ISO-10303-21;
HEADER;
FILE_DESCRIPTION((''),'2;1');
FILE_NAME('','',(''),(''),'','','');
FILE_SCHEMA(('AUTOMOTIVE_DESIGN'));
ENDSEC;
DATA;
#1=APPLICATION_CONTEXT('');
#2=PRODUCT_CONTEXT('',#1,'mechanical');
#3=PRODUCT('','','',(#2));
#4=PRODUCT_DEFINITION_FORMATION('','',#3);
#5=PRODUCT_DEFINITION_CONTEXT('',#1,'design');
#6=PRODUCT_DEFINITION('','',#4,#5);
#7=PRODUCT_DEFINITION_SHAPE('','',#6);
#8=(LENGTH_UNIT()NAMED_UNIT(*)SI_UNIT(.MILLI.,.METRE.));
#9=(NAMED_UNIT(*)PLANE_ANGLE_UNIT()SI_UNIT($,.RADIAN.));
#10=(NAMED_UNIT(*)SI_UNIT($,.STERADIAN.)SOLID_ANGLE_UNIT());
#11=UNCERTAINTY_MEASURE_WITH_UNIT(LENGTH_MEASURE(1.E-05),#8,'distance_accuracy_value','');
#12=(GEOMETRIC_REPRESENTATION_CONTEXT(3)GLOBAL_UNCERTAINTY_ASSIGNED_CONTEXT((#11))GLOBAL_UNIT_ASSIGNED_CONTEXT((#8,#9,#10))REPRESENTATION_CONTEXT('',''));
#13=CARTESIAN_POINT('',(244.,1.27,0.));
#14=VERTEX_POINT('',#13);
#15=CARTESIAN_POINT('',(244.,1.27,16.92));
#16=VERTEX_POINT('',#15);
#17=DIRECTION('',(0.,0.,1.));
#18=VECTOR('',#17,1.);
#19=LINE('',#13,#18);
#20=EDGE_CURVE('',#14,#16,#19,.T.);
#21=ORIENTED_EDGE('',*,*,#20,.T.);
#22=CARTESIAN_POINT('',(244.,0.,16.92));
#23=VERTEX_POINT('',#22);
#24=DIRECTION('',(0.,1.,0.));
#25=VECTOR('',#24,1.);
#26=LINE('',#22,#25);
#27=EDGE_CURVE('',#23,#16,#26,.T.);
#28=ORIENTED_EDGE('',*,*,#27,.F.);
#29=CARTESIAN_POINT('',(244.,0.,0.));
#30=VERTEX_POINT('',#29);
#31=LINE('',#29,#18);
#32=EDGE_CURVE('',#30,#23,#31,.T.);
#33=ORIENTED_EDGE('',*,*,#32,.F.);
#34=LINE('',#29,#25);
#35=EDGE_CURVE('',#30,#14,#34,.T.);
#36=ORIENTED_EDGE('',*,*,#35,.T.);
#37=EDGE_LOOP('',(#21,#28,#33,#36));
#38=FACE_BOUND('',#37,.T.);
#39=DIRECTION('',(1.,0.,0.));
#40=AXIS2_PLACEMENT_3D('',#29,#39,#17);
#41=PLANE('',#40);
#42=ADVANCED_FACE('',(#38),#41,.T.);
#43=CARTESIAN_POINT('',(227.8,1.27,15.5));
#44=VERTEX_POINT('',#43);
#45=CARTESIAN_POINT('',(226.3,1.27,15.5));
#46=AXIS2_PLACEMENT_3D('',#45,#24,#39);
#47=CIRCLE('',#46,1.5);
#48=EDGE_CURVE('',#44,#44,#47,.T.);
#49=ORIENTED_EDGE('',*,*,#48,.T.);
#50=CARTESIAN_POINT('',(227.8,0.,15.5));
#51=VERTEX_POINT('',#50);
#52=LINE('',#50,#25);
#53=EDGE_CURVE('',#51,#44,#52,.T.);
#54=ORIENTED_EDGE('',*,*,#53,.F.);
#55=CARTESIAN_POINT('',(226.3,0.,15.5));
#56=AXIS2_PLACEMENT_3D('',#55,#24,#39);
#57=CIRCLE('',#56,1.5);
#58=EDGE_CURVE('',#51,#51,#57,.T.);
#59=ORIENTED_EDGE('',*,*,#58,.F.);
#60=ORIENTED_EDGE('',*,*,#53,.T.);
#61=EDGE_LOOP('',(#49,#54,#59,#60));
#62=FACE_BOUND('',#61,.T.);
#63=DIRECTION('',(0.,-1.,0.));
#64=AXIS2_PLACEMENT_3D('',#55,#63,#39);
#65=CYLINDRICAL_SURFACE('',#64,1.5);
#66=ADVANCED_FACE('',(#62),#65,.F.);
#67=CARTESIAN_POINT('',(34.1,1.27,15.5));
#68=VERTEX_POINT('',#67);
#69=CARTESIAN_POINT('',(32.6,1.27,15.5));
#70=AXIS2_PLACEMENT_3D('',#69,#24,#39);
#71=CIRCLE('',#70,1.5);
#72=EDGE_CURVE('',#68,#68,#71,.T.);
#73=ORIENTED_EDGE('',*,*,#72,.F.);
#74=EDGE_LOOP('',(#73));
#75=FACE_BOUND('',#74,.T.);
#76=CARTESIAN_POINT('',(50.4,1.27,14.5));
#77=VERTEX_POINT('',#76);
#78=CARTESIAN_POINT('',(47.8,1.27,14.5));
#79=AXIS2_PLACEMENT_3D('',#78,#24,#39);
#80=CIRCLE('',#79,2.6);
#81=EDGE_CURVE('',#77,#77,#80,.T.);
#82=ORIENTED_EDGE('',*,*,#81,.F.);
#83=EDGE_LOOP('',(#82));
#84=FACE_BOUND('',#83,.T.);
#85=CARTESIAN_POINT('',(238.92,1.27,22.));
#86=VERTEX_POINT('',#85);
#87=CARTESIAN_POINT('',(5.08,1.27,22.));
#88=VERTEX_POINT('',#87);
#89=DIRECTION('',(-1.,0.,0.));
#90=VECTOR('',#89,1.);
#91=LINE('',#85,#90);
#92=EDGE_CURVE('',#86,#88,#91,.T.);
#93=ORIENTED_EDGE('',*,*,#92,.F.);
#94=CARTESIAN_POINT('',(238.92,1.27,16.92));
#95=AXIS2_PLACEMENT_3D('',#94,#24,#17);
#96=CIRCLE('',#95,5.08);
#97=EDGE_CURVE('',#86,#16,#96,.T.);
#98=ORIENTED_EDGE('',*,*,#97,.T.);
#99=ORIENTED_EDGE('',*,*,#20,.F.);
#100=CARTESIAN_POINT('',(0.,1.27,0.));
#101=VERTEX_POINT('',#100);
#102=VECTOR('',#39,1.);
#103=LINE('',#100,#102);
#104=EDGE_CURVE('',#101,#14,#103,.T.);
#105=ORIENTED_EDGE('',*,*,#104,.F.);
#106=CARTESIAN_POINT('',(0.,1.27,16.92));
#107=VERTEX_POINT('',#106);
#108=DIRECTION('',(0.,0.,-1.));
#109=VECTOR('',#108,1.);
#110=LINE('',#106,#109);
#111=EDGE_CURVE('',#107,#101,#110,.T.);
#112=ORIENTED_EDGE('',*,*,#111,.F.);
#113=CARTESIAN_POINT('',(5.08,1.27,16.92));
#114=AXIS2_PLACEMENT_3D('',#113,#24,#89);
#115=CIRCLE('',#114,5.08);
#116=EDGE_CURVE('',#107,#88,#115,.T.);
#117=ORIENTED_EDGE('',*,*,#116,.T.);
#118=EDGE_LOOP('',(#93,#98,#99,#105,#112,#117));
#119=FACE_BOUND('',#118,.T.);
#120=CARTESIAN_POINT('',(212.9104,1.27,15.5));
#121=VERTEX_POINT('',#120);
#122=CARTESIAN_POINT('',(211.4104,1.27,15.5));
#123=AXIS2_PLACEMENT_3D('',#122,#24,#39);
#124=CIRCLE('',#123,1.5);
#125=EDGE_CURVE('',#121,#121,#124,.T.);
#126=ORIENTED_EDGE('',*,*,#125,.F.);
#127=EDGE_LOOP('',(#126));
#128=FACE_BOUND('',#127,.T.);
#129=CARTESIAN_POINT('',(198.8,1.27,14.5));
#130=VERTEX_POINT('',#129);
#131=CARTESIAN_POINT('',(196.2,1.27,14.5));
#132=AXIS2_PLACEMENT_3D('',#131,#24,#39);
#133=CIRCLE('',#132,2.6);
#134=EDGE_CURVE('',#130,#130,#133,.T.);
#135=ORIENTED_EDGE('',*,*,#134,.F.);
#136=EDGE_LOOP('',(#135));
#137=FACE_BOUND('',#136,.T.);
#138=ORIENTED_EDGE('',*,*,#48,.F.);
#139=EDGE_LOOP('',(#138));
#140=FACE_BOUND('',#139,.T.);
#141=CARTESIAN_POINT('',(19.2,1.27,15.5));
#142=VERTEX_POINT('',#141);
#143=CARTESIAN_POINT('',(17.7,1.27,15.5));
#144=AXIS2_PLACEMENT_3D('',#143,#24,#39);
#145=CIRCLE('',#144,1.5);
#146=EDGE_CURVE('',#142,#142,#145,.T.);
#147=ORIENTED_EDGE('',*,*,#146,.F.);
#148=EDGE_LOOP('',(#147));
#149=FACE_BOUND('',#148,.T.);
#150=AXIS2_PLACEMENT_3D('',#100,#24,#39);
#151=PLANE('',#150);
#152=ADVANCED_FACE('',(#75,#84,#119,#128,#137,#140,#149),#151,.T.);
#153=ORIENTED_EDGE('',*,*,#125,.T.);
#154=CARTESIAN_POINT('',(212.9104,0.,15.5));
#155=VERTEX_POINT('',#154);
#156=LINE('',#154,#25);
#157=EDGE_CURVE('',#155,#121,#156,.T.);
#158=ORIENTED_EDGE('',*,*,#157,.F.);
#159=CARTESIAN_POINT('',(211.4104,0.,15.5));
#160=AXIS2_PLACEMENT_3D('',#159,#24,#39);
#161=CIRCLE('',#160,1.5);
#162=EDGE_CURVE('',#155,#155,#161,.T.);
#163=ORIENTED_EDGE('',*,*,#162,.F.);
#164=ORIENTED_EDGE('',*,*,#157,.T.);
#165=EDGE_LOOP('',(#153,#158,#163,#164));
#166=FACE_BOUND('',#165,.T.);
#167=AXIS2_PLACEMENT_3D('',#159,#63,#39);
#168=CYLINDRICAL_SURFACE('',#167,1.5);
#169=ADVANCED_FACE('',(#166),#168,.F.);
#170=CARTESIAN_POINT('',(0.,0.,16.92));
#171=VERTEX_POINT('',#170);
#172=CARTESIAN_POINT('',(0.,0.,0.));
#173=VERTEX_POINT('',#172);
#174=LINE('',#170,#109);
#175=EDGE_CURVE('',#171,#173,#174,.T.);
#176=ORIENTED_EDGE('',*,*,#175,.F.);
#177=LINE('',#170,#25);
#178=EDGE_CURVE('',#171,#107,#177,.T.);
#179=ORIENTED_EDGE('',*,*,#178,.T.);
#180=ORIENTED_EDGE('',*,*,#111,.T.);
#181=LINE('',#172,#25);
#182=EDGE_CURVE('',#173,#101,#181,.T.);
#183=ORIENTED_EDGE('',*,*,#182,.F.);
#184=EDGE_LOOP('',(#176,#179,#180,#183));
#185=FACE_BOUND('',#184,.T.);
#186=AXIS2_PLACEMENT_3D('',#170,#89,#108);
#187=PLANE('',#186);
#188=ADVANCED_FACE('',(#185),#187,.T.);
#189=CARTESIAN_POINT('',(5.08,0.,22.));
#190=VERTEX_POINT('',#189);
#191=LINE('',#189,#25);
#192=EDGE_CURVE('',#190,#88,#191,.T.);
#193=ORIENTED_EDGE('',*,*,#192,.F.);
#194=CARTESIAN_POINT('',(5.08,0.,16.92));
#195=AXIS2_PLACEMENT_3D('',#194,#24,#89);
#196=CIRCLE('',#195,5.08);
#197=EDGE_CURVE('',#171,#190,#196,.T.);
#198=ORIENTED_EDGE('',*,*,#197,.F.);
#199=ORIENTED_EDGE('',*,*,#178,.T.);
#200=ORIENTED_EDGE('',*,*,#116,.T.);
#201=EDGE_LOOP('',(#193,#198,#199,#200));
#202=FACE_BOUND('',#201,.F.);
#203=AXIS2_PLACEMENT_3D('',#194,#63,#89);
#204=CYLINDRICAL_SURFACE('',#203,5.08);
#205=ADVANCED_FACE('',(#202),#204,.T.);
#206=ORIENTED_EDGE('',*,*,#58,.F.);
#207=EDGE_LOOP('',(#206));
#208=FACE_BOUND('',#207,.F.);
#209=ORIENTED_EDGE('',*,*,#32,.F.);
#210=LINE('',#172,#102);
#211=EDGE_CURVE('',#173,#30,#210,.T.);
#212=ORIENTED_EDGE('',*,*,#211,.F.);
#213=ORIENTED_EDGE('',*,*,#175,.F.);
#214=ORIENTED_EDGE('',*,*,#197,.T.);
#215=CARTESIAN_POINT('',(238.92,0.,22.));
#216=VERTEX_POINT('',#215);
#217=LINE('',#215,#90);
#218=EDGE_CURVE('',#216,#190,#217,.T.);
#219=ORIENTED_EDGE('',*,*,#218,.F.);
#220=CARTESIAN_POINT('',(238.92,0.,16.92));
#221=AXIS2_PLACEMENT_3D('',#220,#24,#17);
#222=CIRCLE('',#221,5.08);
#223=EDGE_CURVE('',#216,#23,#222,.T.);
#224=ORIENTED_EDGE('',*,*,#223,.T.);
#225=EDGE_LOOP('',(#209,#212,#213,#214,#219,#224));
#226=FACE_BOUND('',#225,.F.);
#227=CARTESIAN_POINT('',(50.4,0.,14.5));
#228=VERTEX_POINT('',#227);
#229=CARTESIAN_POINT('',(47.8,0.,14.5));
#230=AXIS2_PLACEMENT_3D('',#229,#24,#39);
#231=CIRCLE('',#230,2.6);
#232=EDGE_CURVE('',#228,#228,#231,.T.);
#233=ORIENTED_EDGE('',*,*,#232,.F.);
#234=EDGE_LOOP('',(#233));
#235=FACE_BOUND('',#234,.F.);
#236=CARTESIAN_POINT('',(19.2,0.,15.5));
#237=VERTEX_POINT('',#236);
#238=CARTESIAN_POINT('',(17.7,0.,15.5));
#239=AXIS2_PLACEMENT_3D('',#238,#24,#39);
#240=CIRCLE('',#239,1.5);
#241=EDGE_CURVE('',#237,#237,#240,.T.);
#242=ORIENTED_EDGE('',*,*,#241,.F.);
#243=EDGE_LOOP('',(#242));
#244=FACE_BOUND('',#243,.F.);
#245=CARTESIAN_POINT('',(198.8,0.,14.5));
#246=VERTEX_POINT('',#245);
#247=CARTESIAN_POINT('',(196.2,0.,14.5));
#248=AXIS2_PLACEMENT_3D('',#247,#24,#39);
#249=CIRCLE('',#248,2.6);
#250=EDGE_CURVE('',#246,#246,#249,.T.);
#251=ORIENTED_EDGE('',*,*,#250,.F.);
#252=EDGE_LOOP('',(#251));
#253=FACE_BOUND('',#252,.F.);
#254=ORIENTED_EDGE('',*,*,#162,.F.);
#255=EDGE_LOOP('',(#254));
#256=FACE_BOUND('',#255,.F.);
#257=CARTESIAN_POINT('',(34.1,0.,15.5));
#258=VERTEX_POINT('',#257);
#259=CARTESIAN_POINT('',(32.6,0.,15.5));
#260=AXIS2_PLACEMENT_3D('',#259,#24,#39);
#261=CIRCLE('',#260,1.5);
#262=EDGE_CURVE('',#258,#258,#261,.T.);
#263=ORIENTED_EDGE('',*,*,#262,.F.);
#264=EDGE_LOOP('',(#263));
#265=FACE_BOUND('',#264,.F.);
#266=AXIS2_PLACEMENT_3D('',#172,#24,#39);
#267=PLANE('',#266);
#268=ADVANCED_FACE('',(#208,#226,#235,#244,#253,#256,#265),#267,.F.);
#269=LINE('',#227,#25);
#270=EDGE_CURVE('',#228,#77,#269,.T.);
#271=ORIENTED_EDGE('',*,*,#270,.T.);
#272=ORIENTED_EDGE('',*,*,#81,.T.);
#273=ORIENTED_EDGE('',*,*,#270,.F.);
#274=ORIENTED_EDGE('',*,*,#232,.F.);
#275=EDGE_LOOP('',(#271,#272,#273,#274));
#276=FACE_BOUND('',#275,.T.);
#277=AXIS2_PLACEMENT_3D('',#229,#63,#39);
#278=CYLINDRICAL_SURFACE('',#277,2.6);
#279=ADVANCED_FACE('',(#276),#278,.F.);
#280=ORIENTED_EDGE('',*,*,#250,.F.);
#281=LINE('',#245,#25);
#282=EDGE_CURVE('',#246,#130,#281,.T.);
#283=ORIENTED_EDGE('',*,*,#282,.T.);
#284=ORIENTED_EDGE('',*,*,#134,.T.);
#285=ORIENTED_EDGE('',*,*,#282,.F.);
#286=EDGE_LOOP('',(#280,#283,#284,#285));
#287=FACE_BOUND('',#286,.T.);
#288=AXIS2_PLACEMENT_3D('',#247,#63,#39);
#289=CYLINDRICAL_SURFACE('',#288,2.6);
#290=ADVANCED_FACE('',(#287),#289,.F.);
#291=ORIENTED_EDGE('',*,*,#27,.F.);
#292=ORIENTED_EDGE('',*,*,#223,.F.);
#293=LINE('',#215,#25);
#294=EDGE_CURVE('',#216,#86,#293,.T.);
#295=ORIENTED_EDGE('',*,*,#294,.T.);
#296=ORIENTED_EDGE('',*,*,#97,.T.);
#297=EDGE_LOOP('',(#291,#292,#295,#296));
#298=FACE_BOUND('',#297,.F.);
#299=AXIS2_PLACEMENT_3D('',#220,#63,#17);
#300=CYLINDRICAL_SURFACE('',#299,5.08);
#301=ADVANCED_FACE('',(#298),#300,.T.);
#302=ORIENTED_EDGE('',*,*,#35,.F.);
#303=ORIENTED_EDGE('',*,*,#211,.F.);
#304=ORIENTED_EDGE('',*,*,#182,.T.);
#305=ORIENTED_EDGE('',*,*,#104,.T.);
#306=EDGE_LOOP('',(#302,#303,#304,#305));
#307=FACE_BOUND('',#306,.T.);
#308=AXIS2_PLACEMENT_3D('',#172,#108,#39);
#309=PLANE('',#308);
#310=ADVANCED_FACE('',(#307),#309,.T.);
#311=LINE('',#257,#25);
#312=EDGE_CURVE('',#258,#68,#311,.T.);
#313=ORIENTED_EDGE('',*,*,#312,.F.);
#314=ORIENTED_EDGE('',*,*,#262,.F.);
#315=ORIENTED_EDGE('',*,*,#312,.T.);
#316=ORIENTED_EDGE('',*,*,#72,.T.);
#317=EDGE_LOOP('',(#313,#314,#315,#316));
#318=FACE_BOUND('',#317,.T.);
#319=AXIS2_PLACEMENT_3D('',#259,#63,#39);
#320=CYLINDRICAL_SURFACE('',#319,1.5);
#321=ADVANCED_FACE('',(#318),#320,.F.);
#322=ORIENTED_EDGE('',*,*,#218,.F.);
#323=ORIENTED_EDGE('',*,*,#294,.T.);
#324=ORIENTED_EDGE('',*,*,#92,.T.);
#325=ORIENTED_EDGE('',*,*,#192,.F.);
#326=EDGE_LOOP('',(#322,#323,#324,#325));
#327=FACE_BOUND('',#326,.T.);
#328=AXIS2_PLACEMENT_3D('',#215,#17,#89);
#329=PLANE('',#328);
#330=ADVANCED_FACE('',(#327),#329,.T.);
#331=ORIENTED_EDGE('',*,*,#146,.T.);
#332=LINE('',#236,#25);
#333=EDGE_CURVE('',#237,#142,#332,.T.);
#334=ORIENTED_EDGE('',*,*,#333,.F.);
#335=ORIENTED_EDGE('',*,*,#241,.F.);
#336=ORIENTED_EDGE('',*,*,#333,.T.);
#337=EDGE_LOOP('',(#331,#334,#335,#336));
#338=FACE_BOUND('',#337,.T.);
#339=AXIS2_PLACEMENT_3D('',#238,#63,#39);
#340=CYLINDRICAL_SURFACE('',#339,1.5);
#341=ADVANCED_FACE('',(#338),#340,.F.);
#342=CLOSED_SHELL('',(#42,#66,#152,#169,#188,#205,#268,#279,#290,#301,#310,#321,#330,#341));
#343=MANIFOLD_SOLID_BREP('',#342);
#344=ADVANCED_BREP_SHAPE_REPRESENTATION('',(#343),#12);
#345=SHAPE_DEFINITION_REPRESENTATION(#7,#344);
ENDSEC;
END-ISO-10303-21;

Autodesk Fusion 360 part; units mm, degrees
sketch "Ridge_BIG" plane through (0, 0, 0) normal (0, 1, 0) x (1, 0, 0)
  line L0 (0, 0) -> (244, 0)
  line L1 (244, 0) -> (244, -16.92)
  line L2 (238.92, -22) -> (5.08, -22)
  line L3 (0, -16.92) -> (0, 0)
  circle A0 centre (47.8, -14.5) radius 2.6
  circle A1 centre (196.2, -14.5) radius 2.6
  circle A2 centre (17.7, -15.5) radius 1.5
  circle A3 centre (32.6, -15.5) radius 1.5
  circle A4 centre (211.4104, -15.5) radius 1.5
  circle A5 centre (226.3, -15.5) radius 1.5
  arc A6 (0, -16.92) -> (5.08, -22) centre (5.08, -16.92) ccw
  arc A7 (238.92, -22) -> (244, -16.92) centre (238.92, -16.92) ccw
  point P0 (244, -22)
  dimension "d1" = 244
  dimension "d2" = 22
  dimension "d3" = 5.2
  dimension "d4" = 5.2
  dimension "d5" = 3
  dimension "d6" = 3
  dimension "d7" = 4.9
  dimension "d8" = 45.2
  dimension "d9" = 4.9
  dimension "d10" = 45.2
  dimension "d11" = 31.1
  dimension "d12" = 5
  dimension "d13" = 5
  dimension "d14" = 16.2
  dimension "d15" = 3
  dimension "d16" = 3
  dimension "d17" = 5
  dimension "d18" = 31.0896
  dimension "d20" = 5
  dimension "d21" = 16.2
  dimension "d22" = 5.08
  dimension "d23" = 5.08
extrude "Extrude1" add sketch "Ridge_BIG" along normal blind 1.27
